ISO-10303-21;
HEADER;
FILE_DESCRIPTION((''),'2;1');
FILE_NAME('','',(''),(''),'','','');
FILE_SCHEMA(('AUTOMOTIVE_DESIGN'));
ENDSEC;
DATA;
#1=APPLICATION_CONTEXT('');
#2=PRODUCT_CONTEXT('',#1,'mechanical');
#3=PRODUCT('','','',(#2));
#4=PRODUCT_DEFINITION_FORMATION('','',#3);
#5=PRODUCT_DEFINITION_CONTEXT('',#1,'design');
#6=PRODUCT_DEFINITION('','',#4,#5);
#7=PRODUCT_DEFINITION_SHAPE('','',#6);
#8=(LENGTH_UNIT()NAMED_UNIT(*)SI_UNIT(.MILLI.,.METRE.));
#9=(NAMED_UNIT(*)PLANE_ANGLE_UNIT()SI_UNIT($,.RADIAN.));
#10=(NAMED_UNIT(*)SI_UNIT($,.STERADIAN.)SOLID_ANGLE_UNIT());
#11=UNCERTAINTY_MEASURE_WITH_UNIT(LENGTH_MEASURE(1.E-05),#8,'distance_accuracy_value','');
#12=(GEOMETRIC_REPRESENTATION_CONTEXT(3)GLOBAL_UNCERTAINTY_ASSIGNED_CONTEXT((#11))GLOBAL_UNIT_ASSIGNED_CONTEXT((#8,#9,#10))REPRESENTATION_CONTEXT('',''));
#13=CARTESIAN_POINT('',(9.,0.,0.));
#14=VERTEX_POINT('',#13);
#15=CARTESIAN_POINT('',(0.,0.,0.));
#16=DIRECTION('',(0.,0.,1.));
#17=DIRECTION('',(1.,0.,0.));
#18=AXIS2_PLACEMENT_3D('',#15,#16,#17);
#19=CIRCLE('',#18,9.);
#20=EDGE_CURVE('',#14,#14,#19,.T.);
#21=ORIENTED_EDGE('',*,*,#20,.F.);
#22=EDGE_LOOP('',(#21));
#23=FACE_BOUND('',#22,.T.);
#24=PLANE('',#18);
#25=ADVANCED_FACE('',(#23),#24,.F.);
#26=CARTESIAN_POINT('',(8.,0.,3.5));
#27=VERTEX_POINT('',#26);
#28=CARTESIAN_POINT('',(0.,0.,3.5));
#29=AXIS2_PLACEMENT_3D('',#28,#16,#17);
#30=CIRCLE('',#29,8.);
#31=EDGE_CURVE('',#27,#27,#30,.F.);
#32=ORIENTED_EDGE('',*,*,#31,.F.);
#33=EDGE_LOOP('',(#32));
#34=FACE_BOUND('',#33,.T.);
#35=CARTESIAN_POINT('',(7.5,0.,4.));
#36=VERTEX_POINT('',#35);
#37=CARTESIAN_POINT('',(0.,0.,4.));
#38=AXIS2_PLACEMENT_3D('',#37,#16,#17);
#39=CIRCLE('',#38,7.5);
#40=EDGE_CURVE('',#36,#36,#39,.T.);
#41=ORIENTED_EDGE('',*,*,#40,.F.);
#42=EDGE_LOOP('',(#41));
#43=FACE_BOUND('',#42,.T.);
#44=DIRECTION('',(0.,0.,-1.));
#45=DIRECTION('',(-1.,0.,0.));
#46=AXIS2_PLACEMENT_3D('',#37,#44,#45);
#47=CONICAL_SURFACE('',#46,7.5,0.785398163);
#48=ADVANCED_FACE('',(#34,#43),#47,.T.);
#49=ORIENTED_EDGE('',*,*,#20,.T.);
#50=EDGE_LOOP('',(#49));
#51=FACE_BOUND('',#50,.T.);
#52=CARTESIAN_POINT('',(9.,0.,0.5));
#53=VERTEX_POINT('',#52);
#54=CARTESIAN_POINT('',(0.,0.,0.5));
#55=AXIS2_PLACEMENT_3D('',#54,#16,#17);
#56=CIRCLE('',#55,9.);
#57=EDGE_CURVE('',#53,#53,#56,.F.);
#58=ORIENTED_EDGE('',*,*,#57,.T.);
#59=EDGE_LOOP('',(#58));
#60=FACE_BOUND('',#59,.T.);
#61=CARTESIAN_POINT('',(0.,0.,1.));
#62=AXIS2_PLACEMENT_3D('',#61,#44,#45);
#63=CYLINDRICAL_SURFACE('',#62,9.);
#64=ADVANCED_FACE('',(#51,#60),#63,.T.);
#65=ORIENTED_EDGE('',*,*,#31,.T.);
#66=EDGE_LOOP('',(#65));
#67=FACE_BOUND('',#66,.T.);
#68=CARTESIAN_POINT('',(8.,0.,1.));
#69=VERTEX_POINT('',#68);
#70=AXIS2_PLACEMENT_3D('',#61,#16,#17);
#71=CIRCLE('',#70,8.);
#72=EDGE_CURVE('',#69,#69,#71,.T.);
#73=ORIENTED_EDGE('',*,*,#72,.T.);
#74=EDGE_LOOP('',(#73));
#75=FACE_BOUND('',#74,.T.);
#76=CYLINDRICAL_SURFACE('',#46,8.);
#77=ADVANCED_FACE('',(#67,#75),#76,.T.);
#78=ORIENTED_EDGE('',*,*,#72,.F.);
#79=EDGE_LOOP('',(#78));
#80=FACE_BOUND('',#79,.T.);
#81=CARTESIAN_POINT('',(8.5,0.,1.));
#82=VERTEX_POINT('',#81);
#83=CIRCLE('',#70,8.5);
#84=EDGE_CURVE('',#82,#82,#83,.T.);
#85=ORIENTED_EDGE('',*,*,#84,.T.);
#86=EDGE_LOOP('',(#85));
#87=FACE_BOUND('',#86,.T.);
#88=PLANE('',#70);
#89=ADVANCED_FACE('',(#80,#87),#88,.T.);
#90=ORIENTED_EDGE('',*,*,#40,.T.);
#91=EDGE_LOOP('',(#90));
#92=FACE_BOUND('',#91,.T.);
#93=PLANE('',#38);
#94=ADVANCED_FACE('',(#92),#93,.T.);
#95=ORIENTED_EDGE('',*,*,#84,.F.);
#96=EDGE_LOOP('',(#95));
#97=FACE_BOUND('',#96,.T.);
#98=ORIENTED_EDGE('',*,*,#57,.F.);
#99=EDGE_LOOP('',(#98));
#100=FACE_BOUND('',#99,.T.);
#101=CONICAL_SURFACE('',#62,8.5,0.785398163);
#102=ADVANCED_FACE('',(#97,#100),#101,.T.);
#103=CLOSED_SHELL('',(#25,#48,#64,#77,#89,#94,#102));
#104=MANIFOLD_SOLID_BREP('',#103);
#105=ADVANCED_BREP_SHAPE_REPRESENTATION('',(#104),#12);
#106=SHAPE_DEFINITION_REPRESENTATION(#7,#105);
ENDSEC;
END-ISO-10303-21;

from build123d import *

# Parameters (mm, degrees)
ESQUISSE1_R        = 9
BOSS_EXTRU_1_DEPTH = 1
CHANFREIN1_SIZE    = 0.5
ESQUISSE2_R        = 8
BOSS_EXTRU_2_DEPTH = 3
CHANFREIN2_SIZE    = 0.5


with BuildPart() as part:
    # Esquisse1 → Boss.-Extru.1 (new body)
    with BuildSketch(Plane.XY):
        Circle(ESQUISSE1_R)
    extrude(amount=BOSS_EXTRU_1_DEPTH)

    # Chanfrein1
    chanfrein1_edges = [part.edges().sort_by_distance(p)[0] for p in [
        (-9, 0, 1),
    ]]
    chamfer(chanfrein1_edges, length=CHANFREIN1_SIZE)

    # Esquisse2 → Boss.-Extru.2 (add)
    with BuildSketch(Plane.XY.offset(1)):
        Circle(ESQUISSE2_R)
    extrude(amount=BOSS_EXTRU_2_DEPTH)

    # Chanfrein2
    chanfrein2_edges = [part.edges().sort_by_distance(p)[0] for p in [
        (-8, 0, 4),
    ]]
    chamfer(chanfrein2_edges, length=CHANFREIN2_SIZE)


solid = part.part
